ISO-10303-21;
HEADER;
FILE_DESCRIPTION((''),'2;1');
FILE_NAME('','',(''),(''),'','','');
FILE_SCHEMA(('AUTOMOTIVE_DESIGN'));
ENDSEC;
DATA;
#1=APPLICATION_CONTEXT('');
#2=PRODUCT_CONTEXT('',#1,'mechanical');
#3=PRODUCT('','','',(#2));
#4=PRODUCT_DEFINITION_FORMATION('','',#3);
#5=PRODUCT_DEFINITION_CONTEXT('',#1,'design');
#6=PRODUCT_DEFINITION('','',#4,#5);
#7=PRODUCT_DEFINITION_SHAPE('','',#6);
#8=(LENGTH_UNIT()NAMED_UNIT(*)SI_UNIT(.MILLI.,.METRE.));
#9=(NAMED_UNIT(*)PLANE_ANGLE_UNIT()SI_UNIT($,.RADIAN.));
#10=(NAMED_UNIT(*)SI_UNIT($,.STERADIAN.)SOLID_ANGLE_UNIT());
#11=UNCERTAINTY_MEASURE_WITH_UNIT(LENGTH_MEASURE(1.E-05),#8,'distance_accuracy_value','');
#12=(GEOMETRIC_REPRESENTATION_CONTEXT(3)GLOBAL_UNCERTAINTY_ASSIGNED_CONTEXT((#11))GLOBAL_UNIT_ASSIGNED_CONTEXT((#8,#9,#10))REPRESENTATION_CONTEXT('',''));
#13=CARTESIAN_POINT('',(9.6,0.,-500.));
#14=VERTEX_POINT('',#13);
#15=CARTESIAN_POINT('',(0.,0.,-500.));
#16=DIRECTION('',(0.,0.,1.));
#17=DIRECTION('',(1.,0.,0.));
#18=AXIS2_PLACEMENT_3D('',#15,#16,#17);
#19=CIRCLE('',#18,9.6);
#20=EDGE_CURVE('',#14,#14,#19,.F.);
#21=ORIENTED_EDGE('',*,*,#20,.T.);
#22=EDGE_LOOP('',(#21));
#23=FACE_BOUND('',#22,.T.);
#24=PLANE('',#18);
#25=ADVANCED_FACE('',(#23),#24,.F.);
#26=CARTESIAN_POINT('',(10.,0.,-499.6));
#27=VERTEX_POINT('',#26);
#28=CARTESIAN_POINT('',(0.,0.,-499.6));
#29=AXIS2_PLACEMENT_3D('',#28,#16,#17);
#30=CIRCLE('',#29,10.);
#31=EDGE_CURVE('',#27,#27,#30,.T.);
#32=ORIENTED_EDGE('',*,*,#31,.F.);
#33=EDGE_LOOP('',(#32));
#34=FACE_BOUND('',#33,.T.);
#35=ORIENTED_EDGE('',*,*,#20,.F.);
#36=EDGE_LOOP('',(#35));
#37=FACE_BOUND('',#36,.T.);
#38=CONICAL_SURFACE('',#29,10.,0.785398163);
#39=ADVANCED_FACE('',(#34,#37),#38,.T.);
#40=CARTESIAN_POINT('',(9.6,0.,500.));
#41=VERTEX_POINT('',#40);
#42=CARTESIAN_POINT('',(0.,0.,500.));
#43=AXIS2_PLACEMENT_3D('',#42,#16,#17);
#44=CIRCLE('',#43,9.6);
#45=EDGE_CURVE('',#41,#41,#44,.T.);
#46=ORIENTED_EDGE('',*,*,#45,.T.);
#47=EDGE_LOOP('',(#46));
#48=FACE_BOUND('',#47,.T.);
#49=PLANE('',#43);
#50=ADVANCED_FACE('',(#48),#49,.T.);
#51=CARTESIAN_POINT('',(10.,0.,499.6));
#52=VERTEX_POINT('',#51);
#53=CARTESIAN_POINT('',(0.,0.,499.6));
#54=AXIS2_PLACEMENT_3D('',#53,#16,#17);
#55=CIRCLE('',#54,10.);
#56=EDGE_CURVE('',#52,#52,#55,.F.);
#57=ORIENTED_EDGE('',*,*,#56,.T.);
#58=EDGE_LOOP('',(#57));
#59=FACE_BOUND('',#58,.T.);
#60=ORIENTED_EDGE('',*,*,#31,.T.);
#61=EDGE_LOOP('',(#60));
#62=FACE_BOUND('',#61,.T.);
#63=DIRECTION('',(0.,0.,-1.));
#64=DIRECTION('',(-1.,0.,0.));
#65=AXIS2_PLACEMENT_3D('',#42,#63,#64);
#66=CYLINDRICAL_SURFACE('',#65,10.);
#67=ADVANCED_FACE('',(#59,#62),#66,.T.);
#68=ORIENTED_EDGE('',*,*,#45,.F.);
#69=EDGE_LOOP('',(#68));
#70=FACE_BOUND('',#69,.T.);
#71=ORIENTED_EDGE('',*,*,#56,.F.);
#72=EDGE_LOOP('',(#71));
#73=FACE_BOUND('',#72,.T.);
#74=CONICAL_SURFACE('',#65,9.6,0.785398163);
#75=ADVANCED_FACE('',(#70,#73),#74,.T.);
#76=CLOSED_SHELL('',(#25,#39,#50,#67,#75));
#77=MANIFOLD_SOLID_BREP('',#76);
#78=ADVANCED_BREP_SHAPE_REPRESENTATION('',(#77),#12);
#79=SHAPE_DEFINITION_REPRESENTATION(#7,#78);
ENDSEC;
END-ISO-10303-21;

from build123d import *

# Parameters (mm, degrees)
SKETCH3_R                = 10
BOSS_EXTRUDE1_DEPTH      = 500
BOSS_EXTRUDE1_DEPTH_BACK = 500
CHAMFER1_SIZE            = 0.4


with BuildPart() as part:
    # Sketch3 → Boss-Extrude1 (new body, two sides)
    with BuildSketch(Plane.XY) as boss_extrude1_sk:
        Circle(SKETCH3_R)
    extrude(amount=BOSS_EXTRUDE1_DEPTH)
    extrude(boss_extrude1_sk.sketch, amount=-BOSS_EXTRUDE1_DEPTH_BACK)

    # Chamfer1
    chamfer1_edges = [part.edges().sort_by_distance(p)[0] for p in [
        (-10, 0, -500),
        (-10, 0, 500),
    ]]
    chamfer(chamfer1_edges, length=CHAMFER1_SIZE)


solid = part.part
